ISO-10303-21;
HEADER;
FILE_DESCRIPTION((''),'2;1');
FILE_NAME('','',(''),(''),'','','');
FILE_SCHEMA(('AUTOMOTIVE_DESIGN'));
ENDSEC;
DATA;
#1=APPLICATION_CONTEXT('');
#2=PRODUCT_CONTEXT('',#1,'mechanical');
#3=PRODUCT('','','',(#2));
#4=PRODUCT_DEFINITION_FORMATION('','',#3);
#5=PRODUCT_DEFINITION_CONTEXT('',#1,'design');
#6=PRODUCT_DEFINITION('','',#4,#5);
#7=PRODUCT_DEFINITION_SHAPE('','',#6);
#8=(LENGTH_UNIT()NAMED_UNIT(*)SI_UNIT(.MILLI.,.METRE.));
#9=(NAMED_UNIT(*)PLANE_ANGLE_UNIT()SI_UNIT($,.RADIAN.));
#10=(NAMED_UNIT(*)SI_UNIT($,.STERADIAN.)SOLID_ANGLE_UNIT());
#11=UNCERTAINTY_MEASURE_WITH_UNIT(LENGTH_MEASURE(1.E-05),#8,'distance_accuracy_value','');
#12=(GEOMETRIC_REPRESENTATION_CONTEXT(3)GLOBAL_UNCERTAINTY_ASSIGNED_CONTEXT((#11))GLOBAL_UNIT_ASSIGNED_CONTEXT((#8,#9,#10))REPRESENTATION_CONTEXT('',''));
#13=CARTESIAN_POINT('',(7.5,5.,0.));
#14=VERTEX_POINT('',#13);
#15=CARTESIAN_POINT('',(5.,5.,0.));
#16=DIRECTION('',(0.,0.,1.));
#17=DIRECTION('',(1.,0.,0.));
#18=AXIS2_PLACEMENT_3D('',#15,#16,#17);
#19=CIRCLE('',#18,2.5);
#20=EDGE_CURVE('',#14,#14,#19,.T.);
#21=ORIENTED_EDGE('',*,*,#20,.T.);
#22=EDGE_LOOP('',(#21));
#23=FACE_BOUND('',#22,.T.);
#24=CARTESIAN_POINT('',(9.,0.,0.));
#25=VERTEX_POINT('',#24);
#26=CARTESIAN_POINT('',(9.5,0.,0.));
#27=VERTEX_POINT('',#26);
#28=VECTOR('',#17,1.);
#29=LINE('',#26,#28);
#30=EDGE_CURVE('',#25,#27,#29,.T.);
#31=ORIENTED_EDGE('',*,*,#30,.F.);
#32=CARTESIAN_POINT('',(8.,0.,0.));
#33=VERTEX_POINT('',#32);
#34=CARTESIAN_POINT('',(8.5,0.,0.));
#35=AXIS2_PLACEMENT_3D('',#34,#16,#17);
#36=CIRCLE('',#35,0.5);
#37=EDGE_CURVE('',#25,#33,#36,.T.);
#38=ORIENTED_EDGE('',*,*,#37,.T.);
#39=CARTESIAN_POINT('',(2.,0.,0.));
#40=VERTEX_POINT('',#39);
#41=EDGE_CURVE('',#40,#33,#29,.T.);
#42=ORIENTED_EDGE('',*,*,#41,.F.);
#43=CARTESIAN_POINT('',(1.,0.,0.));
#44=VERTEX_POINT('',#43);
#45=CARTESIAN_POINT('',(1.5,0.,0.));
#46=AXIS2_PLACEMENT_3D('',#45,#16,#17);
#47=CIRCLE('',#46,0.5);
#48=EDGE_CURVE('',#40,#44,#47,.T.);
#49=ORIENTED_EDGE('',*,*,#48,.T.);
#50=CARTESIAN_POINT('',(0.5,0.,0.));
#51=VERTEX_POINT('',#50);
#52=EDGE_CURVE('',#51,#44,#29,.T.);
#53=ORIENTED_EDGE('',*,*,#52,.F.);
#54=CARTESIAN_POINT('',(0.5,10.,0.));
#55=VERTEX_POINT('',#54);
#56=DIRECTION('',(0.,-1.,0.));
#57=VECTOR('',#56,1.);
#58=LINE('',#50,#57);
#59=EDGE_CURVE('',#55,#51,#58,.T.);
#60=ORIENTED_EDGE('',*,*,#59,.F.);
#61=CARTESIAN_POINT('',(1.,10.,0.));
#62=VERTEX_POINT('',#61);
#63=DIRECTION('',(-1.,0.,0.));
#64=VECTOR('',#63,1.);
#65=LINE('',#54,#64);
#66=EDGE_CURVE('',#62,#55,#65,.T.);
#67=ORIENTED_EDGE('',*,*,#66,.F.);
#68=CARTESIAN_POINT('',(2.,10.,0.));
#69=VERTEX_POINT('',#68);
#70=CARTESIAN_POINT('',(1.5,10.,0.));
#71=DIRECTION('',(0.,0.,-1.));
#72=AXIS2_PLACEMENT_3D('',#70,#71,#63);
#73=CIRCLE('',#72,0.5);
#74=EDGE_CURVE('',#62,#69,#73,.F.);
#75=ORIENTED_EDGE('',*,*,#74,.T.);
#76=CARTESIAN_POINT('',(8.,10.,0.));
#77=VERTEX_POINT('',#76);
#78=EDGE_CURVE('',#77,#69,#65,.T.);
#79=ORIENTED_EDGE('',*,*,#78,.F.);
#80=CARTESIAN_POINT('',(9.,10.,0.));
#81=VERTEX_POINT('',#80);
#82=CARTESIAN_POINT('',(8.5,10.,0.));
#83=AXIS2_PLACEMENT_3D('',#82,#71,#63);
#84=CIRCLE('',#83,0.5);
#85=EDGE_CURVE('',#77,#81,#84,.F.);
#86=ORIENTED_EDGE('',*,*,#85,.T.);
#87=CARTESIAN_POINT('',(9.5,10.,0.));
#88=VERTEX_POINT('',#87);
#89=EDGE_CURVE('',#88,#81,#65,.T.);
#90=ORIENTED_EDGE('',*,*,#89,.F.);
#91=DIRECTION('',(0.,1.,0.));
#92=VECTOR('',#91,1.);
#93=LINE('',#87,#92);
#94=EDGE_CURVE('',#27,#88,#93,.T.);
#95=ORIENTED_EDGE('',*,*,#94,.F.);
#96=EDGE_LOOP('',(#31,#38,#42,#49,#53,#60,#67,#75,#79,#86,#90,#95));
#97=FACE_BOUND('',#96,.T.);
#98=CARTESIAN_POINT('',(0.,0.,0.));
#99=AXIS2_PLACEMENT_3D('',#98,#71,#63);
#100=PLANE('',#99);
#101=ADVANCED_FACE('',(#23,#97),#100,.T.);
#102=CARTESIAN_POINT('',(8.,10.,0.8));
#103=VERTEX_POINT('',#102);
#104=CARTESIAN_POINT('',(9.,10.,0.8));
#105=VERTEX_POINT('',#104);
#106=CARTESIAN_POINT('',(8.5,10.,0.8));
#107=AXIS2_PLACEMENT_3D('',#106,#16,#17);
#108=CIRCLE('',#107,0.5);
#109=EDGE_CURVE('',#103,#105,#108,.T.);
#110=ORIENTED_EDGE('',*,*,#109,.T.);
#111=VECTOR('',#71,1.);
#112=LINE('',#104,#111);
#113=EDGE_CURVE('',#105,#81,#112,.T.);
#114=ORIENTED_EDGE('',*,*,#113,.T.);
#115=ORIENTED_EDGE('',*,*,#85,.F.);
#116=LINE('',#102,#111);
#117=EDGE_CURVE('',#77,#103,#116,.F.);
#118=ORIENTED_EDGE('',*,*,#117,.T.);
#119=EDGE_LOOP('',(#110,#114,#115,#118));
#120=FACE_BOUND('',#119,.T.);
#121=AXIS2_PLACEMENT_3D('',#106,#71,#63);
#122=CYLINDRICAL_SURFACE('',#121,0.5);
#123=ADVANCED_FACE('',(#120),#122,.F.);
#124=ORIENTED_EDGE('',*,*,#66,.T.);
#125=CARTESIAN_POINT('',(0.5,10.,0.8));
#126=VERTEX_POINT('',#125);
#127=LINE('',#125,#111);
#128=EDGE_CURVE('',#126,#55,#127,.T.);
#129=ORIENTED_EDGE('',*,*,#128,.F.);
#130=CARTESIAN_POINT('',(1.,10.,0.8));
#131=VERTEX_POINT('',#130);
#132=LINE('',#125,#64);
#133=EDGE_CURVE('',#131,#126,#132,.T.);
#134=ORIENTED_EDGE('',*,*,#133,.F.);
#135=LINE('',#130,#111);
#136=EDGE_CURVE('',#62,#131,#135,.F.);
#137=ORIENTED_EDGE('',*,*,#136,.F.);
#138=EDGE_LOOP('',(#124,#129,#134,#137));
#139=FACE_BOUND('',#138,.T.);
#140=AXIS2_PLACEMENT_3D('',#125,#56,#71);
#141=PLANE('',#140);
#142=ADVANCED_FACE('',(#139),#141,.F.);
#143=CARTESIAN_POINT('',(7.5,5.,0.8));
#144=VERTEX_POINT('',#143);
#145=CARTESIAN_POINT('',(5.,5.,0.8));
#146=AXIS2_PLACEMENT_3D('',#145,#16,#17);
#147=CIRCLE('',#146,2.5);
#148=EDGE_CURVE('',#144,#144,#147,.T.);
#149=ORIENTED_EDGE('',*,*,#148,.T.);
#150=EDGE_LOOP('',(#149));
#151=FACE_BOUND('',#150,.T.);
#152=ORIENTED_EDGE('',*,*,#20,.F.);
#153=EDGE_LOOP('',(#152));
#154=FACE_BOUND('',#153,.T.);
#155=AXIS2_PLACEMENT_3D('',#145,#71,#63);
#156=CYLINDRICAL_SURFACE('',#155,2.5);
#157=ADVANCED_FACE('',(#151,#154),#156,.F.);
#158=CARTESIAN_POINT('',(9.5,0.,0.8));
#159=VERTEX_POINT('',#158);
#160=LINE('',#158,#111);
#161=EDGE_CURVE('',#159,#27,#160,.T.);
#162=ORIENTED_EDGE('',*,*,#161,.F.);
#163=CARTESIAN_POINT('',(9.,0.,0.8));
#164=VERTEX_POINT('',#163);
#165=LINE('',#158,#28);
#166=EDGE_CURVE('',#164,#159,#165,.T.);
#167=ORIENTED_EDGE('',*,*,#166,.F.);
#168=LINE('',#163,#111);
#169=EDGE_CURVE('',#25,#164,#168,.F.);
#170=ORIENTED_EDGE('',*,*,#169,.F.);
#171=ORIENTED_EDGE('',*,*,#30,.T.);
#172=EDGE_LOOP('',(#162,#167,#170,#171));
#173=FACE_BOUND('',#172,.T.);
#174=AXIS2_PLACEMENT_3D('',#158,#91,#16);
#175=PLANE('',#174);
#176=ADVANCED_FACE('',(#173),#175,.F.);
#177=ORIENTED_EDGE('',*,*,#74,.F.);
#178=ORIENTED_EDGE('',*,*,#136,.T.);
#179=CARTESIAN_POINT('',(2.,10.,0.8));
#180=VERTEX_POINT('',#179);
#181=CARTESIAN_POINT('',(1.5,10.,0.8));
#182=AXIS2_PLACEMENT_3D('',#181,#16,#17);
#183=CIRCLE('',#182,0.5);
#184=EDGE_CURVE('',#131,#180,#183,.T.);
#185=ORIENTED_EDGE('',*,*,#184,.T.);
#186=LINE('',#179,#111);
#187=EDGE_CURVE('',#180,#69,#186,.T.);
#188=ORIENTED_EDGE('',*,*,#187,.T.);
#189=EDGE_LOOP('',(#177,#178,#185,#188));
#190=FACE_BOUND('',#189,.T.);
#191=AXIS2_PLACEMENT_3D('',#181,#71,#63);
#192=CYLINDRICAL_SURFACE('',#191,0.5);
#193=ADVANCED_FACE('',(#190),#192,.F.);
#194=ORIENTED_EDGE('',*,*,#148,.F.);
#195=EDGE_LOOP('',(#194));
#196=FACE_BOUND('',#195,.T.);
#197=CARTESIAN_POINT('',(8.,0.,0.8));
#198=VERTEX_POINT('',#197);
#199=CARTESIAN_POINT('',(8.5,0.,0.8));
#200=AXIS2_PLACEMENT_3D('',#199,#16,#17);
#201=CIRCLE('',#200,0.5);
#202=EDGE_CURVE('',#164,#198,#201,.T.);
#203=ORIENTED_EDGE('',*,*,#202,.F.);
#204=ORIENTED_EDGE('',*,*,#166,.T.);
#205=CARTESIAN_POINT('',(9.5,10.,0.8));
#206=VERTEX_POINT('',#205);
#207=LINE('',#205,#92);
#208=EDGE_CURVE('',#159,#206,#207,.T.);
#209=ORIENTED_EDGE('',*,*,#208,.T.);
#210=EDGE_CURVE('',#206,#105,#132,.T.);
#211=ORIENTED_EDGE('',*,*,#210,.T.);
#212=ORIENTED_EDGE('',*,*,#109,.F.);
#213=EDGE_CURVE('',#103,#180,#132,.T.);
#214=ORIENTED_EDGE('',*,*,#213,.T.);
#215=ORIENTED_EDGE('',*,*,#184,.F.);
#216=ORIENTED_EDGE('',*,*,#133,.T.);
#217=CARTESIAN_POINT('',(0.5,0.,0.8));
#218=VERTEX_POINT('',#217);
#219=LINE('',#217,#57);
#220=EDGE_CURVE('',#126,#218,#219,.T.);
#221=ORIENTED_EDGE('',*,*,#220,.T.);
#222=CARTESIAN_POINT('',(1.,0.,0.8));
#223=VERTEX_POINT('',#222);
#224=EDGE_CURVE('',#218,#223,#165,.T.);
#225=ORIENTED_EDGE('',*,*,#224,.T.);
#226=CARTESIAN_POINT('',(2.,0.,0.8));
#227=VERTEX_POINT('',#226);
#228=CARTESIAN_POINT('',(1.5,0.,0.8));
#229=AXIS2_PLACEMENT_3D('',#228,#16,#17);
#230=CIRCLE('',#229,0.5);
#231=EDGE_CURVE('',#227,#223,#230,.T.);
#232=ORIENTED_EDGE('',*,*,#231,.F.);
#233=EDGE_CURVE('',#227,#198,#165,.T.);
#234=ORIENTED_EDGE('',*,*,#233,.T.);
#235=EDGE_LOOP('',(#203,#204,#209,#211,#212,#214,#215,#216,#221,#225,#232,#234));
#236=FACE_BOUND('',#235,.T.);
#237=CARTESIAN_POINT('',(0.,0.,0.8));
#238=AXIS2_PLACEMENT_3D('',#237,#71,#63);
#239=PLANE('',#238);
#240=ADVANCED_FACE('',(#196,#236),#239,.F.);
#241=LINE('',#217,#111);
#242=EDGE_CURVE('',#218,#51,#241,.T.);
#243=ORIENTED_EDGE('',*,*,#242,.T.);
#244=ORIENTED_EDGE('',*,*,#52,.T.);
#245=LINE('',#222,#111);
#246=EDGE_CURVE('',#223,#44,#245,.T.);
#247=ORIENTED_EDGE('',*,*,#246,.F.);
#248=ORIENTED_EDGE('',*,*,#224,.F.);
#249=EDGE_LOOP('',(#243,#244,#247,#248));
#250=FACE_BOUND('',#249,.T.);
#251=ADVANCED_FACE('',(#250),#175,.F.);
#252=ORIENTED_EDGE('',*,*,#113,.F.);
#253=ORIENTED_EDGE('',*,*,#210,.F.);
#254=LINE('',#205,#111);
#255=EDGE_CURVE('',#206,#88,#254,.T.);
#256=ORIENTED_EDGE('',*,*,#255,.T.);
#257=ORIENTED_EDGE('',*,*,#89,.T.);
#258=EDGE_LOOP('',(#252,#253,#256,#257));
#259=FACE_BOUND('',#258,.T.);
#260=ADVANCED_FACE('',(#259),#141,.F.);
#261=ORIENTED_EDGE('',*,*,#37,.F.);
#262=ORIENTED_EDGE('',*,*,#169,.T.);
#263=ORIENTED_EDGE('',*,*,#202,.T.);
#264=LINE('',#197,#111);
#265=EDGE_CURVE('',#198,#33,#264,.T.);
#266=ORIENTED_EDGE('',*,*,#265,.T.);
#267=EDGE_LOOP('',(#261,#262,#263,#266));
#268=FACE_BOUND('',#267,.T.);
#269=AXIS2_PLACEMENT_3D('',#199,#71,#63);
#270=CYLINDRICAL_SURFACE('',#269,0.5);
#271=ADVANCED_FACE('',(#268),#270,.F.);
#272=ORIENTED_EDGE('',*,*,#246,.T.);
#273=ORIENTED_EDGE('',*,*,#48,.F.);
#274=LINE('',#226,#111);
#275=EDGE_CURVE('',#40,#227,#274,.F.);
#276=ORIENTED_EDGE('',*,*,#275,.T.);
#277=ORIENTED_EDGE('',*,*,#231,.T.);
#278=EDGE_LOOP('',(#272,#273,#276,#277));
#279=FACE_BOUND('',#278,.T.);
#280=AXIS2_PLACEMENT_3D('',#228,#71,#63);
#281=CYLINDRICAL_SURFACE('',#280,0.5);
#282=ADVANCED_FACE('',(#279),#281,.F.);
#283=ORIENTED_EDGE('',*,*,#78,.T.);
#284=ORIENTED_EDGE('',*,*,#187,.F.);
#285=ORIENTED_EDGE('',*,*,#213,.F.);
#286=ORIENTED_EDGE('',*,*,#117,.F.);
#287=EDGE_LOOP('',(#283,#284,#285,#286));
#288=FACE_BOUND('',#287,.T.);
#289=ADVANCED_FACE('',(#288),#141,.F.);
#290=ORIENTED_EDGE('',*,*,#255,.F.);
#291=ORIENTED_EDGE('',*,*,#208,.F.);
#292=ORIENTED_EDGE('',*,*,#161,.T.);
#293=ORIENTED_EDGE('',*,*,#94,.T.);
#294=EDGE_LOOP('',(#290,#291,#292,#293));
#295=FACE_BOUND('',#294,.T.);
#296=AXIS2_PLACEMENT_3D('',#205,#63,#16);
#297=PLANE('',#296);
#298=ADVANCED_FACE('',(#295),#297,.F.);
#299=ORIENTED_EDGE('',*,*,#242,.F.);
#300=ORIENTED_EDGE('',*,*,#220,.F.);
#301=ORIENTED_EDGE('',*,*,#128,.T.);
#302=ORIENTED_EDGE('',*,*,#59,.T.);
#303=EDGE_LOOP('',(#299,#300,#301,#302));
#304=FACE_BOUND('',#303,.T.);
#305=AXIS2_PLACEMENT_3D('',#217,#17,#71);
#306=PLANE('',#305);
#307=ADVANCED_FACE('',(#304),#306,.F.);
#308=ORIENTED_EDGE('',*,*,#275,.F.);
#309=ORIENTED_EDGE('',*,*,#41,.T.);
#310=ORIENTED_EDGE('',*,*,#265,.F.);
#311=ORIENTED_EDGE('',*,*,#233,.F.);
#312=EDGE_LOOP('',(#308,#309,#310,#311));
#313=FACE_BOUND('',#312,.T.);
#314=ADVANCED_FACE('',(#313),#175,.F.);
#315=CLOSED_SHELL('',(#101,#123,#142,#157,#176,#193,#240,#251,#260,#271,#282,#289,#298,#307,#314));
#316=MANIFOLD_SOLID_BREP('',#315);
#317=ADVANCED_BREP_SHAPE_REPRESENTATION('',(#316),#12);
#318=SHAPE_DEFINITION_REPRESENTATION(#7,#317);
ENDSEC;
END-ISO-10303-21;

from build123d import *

# Parameters (mm, degrees)
SKETCH1_W              = 9
SKETCH1_H              = 10
BOARD_DEPTH            = 0.8
SKETCH2_R              = 2.5
NON_PLATED_HOLES_DEPTH = 14.816294728
SKETCH3_R              = 0.5
PLATED_HOLES_DEPTH     = 14.816294728


with BuildPart() as part:
    # Sketch1 → BOARD (new body)
    with BuildSketch(Plane.XY):
        with Locations((5, 5)):
            Rectangle(SKETCH1_W, SKETCH1_H)
    extrude(amount=BOARD_DEPTH)

    # Sketch2 → NON-PLATED HOLES (cut, through all)
    with BuildSketch(Plane.XY):
        with Locations((5, 5)):
            Circle(SKETCH2_R)
    extrude(amount=NON_PLATED_HOLES_DEPTH, mode=Mode.SUBTRACT)

    # Sketch3 → PLATED HOLES (cut, through all)
    with BuildSketch(Plane.XY):
        with Locations((1.5, 0)):
            Circle(SKETCH3_R)
        with Locations((1.5, 10)):
            Circle(SKETCH3_R)
        with Locations((8.5, 10)):
            Circle(SKETCH3_R)
        with Locations((8.5, 0)):
            Circle(SKETCH3_R)
    extrude(amount=PLATED_HOLES_DEPTH, mode=Mode.SUBTRACT)


solid = part.part
